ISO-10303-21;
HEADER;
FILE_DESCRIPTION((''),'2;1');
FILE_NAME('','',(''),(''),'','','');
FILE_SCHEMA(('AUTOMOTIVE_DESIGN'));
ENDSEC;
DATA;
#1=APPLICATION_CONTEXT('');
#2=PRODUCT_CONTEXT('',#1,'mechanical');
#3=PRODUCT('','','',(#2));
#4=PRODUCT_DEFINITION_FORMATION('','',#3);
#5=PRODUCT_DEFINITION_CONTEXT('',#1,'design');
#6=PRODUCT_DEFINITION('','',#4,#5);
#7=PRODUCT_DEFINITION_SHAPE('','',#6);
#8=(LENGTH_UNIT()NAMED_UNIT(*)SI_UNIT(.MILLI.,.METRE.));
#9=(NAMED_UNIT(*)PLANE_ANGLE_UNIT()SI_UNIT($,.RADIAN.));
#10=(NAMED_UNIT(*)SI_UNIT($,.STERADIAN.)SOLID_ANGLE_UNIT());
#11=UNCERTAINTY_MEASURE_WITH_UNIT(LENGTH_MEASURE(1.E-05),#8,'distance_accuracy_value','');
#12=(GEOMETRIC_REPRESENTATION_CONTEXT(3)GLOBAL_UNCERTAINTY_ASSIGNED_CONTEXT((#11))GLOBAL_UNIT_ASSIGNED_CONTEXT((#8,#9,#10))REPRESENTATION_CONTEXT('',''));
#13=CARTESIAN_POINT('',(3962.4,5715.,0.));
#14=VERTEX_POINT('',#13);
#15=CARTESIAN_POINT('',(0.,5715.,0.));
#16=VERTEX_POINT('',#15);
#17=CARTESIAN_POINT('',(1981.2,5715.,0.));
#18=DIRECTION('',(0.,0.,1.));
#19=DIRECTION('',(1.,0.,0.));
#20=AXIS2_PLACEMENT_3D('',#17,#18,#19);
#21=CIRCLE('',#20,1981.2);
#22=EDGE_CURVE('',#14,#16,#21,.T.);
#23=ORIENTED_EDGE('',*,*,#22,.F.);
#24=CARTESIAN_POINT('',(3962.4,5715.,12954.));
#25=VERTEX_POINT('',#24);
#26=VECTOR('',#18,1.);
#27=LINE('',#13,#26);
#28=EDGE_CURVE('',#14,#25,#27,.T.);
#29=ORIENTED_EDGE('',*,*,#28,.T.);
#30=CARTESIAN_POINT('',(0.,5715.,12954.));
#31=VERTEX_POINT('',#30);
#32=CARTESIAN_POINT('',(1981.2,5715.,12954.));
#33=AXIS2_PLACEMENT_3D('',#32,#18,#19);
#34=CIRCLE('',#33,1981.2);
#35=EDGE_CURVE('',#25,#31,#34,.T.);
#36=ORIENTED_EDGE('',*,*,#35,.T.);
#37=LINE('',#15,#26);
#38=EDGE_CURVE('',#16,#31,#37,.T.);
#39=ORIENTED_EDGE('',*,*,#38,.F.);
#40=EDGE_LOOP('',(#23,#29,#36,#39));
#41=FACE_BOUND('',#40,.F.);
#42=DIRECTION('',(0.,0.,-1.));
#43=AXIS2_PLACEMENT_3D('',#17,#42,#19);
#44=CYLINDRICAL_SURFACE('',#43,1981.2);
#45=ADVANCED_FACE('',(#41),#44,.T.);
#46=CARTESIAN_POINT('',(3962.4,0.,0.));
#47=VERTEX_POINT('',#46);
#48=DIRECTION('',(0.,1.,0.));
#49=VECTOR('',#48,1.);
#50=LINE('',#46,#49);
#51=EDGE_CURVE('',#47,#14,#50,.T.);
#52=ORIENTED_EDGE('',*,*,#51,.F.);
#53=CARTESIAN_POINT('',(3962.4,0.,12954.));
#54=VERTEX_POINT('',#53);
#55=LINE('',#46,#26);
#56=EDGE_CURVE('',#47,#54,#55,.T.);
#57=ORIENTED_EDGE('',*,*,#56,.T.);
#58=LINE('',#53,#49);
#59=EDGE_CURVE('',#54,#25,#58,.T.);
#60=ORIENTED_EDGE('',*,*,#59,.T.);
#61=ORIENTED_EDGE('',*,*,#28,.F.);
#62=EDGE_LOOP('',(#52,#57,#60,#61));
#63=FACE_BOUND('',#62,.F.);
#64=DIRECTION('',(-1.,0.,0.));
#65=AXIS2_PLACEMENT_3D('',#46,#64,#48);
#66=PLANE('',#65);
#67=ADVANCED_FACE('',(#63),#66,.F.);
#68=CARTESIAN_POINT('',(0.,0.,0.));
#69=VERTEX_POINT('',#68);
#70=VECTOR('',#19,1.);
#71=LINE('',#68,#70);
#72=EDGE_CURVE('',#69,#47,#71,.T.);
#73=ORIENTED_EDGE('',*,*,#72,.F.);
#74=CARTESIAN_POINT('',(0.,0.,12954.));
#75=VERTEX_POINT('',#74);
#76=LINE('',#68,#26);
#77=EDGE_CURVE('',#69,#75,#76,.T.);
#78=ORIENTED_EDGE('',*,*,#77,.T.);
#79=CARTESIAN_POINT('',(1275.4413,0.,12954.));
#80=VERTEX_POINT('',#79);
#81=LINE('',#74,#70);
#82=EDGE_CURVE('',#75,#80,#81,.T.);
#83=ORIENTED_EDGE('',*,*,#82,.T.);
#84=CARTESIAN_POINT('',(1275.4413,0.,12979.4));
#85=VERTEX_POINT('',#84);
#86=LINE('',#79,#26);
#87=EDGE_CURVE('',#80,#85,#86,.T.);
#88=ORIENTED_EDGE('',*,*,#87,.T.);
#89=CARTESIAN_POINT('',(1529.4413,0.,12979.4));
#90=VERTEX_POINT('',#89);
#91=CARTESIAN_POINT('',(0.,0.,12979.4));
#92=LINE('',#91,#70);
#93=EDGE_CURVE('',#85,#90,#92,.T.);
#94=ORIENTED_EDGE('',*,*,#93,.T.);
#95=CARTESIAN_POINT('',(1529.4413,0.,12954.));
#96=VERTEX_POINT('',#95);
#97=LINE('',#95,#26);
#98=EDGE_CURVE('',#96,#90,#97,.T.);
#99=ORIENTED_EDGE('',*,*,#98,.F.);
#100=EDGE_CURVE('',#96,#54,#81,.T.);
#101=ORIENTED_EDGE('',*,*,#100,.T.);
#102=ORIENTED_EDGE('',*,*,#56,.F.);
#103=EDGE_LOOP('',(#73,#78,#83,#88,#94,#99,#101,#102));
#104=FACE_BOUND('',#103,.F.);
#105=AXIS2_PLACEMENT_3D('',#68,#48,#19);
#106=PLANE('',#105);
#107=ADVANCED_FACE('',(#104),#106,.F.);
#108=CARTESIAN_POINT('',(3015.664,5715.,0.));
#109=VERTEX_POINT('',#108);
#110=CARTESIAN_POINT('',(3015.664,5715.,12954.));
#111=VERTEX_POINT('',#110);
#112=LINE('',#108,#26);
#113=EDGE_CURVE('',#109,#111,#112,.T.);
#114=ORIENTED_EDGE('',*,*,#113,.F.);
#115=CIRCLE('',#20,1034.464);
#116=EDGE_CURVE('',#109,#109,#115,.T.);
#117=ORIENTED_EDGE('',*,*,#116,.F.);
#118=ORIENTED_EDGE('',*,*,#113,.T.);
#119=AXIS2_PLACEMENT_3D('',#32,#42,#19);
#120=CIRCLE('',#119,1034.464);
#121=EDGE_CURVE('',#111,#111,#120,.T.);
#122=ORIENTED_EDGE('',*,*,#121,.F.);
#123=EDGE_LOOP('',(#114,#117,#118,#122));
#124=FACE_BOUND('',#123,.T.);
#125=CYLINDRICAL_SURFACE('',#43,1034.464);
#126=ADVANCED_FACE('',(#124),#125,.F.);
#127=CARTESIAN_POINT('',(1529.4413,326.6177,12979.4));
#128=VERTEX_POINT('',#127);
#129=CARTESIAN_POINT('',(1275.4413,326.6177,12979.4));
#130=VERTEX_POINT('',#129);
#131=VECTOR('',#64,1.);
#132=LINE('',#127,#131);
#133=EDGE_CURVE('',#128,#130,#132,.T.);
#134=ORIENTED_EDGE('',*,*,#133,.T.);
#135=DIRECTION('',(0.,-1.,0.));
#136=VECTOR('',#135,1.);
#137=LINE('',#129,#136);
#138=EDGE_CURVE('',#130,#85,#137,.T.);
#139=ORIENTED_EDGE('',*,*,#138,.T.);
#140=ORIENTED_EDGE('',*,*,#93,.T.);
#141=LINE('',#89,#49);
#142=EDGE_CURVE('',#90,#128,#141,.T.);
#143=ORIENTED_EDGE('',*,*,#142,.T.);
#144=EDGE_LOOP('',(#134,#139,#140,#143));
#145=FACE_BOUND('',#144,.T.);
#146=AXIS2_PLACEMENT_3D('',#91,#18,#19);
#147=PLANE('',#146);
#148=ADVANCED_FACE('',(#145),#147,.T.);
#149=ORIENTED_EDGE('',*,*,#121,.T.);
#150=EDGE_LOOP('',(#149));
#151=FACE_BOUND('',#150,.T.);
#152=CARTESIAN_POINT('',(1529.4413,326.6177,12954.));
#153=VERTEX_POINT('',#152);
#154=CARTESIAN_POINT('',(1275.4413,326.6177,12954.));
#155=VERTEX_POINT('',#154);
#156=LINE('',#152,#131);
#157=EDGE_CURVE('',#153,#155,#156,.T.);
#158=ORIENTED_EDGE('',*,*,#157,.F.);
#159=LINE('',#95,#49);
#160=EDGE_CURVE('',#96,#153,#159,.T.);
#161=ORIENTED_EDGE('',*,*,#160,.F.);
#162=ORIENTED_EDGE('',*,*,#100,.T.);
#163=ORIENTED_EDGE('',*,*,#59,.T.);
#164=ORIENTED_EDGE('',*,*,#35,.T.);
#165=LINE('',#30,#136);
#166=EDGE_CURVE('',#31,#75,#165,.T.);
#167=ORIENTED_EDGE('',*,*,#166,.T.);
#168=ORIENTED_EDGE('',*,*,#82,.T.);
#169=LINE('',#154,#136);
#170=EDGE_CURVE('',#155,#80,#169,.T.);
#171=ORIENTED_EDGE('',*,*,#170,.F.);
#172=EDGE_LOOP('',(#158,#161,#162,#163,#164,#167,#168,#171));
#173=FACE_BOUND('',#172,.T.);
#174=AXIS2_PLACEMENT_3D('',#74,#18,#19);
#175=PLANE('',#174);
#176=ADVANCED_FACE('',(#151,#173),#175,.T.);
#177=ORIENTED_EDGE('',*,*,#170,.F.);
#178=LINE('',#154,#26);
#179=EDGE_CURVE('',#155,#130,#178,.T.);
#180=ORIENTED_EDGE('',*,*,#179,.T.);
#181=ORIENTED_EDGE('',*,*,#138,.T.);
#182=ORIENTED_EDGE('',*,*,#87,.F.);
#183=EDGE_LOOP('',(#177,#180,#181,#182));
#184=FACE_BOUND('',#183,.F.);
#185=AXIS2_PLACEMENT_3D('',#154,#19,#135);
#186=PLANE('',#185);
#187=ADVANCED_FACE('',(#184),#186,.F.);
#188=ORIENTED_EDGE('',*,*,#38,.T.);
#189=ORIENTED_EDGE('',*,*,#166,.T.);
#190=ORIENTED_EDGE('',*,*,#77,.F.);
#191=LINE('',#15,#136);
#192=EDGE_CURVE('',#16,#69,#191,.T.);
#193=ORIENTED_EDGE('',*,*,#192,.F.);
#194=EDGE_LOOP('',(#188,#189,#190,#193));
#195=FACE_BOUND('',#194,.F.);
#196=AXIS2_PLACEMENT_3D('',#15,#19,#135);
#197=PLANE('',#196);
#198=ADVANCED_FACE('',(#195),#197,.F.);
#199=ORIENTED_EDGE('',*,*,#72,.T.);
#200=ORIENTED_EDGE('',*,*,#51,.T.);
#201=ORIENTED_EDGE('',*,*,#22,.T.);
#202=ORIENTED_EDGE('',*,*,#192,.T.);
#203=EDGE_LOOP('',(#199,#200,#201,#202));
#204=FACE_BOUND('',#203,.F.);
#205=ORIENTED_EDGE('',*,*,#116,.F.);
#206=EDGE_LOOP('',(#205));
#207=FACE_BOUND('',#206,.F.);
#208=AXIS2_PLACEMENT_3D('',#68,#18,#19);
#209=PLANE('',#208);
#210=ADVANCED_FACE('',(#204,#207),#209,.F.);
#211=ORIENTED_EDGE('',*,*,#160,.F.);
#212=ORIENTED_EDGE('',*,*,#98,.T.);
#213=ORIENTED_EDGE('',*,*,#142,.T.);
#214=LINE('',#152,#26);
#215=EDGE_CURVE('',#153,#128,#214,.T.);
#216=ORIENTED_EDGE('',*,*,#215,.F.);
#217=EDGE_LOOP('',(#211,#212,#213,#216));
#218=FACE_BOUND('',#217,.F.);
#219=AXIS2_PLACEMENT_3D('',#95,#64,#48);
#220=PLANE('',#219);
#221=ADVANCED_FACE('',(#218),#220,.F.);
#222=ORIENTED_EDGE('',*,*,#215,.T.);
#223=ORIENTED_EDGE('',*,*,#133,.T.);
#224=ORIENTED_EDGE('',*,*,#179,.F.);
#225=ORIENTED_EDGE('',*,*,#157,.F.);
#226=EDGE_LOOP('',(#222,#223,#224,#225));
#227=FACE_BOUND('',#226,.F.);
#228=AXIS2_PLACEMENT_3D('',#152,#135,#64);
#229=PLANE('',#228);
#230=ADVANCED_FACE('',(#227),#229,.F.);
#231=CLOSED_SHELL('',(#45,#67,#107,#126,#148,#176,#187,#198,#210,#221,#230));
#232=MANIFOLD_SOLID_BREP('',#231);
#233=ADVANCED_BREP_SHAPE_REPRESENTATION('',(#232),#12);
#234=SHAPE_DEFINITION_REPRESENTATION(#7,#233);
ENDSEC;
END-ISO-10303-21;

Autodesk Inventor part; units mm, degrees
ref_plane "YZ Plane" through (0, 0, 0) normal (1, 0, 0) x (0, 1, 0)
ref_plane "XZ Plane" through (0, 0, 0) normal (0, 1, 0) x (-1, 0, 0)
ref_plane "XY Plane" through (0, 0, 0) normal (0, 0, 1) x (1, 0, 0)
sketch "Sketch1" plane through (0, 0, 0) normal (0, 0, 1) x (1, 0, 0)
  line L0 (0, 0) -> (3962.4, 0)
  line L1 (3962.4, 0) -> (3962.4, 5715)
  line L2 (3962.4, 5715) -> (0, 5715)
  line L3 (0, 5715) -> (0, 0)
  circle A0 centre (1981.2, 5715) radius 1981.2
  circle A1 centre (1981.2, 5715) radius 1034.464
  point P0 (0, 5715)
  dimension "d0" = 3962.4
  dimension "d1" = 5715
extrude "Extrusion1" add sketch "Sketch1" along normal blind 12954 contours L3 A0 L1 L0 | A0 L2 A1 | L2 A1 A0
sketch "Sketch2" plane through (0, 0, 12954) normal (0, 0, 1) x (1, 0, 0)
  line L0 (0, 0) -> (3962.4, 0) projected
  line L1 (1529.4413, 0) -> (1529.4413, 326.6177)
  line L2 (1529.4413, 326.6177) -> (1275.4413, 326.6177)
  line L3 (1275.4413, 326.6177) -> (1275.4413, 0)
  dimension "d4" = 254
extrude "Extrusion2" add sketch "Sketch2" along normal blind 25.4
properties part number "stator unit"
